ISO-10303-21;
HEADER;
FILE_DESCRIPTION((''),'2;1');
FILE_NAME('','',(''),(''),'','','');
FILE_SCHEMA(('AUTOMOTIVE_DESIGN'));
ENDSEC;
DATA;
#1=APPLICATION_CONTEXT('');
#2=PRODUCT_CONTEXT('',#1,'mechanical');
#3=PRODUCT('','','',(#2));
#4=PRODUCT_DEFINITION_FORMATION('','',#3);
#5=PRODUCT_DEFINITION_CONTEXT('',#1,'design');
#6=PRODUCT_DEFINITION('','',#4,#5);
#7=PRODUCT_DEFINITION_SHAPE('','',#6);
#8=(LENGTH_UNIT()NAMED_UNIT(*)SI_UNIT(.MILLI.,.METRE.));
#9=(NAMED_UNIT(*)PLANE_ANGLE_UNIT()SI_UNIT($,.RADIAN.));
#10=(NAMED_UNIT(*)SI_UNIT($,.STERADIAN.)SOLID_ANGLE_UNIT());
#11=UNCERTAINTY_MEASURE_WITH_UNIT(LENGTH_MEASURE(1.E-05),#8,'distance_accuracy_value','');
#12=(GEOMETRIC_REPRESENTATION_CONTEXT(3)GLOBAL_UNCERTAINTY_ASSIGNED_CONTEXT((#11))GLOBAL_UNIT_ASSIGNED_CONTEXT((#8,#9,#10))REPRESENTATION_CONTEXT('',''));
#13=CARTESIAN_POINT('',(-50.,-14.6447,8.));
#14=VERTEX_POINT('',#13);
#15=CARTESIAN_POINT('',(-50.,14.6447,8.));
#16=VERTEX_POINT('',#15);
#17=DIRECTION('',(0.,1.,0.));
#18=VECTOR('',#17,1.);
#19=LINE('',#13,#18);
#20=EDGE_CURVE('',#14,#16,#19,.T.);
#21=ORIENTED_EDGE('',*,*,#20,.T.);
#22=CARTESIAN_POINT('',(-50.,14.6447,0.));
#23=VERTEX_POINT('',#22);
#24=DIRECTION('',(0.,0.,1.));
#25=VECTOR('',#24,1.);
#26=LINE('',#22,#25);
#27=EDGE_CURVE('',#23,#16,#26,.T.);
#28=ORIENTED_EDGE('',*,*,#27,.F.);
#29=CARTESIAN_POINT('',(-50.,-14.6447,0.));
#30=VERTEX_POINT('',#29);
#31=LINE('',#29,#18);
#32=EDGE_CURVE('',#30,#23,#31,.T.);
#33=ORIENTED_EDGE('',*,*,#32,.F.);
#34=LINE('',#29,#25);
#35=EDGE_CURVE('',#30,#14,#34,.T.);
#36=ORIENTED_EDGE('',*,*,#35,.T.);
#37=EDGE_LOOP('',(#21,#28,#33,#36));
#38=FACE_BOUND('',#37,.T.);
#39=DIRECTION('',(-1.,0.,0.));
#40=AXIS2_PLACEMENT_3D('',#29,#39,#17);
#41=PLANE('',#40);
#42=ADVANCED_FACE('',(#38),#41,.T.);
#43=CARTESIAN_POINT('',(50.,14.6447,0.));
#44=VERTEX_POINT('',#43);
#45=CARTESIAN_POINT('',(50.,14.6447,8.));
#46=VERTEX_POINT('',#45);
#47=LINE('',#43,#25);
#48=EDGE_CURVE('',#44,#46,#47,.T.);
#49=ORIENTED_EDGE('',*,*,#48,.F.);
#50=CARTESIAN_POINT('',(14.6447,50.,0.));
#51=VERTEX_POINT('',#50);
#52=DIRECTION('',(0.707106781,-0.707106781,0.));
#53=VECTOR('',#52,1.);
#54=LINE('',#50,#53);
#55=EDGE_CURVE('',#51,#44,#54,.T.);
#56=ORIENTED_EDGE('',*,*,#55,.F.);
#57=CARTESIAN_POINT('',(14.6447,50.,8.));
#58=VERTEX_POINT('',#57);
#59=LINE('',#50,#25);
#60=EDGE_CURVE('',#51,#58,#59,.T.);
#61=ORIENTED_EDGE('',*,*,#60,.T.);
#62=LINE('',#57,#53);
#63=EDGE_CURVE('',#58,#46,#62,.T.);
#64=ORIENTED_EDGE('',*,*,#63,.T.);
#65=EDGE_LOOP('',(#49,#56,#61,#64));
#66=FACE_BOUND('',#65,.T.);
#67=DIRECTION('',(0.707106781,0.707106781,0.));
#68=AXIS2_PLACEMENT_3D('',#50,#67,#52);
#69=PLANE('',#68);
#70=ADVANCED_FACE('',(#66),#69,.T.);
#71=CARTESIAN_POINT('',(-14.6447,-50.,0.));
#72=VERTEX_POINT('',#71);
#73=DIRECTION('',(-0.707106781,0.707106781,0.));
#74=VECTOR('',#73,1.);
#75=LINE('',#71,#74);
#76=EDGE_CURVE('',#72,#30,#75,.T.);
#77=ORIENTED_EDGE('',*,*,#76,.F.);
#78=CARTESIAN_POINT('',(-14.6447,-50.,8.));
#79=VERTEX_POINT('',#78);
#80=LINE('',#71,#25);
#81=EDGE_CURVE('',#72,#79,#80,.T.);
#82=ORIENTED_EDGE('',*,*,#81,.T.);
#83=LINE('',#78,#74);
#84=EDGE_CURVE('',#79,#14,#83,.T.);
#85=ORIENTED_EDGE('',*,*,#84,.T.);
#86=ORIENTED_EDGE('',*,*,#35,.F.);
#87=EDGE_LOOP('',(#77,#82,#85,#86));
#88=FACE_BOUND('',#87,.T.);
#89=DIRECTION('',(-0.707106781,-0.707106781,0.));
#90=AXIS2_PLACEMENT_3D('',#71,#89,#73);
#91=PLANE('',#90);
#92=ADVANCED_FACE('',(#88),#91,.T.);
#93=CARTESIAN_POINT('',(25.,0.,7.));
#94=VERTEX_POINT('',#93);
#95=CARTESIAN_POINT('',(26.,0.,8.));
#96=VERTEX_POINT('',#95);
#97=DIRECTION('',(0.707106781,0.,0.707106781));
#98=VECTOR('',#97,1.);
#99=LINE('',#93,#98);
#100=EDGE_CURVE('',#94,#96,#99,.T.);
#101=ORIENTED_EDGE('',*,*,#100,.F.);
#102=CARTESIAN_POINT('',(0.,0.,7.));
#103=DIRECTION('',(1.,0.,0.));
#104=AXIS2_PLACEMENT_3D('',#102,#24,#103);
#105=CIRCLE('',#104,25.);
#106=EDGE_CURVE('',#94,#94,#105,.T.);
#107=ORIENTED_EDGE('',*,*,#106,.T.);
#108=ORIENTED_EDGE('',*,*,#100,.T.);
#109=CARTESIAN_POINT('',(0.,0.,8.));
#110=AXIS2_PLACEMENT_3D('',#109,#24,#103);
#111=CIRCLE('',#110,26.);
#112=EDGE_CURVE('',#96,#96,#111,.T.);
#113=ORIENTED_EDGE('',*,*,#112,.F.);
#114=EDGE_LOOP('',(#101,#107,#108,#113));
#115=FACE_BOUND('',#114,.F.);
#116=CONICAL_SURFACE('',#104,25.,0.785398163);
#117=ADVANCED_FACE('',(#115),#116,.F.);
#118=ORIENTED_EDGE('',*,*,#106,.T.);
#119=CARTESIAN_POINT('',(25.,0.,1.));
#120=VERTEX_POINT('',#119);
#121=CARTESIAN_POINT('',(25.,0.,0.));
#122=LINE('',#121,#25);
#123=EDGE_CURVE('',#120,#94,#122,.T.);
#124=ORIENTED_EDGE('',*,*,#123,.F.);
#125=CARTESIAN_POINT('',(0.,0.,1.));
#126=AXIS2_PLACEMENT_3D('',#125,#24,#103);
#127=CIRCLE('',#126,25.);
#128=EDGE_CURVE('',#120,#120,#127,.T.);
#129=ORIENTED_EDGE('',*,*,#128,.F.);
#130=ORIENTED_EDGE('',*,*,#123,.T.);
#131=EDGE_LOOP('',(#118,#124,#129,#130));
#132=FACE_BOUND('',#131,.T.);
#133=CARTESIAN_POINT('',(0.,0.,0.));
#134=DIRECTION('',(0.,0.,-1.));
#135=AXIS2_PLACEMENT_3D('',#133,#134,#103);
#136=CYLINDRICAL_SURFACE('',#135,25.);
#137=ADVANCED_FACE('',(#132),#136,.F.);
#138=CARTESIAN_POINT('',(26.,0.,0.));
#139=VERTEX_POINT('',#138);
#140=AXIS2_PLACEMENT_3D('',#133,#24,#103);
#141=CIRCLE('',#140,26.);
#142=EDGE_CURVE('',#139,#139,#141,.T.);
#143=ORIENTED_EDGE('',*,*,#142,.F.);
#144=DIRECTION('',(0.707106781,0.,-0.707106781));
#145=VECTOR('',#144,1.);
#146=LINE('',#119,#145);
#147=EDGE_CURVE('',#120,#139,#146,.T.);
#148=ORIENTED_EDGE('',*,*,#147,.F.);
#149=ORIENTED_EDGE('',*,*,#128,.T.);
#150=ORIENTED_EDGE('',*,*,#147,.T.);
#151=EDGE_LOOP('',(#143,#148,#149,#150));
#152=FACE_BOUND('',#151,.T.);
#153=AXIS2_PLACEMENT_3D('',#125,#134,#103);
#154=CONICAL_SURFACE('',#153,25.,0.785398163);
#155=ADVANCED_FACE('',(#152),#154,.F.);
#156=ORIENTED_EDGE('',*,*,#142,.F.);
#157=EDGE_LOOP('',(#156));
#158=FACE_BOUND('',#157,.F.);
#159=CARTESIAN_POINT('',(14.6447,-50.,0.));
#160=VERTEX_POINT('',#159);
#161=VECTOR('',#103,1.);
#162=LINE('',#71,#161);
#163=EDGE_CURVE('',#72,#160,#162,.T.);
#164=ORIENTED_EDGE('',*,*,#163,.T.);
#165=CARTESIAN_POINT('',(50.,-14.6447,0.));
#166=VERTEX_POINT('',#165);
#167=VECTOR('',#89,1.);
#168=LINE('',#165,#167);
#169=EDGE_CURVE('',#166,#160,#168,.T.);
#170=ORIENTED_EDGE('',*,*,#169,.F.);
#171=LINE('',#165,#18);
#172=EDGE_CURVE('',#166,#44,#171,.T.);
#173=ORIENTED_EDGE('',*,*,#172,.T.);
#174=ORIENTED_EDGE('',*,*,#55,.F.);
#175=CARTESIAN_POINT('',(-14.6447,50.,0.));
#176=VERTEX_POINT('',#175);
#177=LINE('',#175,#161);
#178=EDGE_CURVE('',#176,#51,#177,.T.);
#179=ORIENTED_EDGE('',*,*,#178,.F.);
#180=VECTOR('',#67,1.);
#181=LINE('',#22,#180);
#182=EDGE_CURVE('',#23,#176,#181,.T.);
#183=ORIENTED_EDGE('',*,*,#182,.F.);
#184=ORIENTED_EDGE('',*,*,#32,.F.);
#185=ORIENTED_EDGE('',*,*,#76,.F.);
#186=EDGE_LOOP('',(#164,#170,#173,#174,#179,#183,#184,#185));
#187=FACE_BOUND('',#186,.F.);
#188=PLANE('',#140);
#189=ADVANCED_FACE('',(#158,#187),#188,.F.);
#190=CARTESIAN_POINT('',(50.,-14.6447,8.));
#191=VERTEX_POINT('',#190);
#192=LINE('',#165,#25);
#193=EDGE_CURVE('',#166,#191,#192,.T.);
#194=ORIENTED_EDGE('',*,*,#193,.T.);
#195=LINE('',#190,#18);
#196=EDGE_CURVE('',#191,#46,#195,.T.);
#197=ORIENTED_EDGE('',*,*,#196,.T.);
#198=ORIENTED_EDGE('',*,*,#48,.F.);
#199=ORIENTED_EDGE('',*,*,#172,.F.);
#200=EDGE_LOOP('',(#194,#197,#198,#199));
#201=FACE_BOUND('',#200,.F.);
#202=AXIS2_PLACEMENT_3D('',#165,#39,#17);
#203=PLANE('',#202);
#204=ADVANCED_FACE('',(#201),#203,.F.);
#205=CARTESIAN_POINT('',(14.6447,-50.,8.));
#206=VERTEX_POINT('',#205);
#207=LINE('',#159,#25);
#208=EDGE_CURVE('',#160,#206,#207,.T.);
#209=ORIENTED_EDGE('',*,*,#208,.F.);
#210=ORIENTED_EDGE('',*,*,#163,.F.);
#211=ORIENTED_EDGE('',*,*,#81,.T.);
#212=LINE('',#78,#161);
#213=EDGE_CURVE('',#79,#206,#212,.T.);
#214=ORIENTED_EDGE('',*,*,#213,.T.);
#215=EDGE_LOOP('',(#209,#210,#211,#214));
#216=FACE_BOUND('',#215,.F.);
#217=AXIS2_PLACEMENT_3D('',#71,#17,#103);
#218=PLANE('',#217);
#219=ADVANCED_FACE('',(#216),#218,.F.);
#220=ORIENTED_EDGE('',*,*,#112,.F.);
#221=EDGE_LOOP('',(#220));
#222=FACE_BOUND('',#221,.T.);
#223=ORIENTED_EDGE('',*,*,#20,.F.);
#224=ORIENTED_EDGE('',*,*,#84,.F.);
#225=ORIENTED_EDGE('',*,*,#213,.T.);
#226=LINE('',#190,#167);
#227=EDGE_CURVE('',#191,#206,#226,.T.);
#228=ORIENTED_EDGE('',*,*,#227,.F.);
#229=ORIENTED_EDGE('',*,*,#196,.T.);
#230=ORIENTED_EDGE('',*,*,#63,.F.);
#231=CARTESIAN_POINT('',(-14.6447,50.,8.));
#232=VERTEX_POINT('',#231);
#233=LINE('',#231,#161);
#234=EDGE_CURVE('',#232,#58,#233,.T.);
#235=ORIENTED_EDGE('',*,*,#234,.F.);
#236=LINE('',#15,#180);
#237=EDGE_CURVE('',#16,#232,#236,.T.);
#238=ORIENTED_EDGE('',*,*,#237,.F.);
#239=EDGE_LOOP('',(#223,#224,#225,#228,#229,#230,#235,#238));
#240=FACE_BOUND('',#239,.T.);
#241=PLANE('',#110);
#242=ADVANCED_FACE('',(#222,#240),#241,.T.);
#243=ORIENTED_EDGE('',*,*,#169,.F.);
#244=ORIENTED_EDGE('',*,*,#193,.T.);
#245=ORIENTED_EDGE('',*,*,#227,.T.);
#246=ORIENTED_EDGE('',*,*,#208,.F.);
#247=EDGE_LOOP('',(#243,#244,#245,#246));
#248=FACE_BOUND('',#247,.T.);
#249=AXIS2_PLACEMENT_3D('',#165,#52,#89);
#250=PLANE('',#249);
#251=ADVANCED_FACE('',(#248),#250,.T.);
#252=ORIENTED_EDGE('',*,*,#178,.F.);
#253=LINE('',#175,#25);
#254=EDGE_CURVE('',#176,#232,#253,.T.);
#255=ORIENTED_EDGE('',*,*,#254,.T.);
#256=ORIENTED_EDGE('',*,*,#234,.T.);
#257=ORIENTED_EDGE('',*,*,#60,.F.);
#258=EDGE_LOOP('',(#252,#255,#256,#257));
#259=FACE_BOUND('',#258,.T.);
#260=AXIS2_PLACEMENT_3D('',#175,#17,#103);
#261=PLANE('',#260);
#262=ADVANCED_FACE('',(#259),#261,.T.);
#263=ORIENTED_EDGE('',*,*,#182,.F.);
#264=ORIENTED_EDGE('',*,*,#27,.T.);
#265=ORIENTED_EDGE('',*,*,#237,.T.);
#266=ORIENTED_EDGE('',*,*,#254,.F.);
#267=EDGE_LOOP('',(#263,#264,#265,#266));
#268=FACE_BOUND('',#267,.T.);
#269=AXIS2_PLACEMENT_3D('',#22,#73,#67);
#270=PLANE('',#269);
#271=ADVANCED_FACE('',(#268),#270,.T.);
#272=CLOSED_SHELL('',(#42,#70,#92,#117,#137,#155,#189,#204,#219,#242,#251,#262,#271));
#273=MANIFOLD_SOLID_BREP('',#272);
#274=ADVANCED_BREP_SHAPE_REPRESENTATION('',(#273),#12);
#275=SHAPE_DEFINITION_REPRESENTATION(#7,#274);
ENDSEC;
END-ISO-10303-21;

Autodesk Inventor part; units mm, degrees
ref_plane "YZ Plane" through (0, 0, 0) normal (1, 0, 0) x (0, 1, 0)
ref_plane "XZ Plane" through (0, 0, 0) normal (0, 1, 0) x (-1, 0, 0)
ref_plane "XY Plane" through (0, 0, 0) normal (0, 0, 1) x (1, 0, 0)
sketch "Esquisse1" plane through (0, 0, 0) normal (0, 0, 1) x (1, 0, 0)
  circle A0 centre (0, 0) radius 25
  line L0 (-50, 14.6447) -> (-14.6447, 50)
  line L1 (14.6447, 50) -> (50, 14.6447)
  line L2 (50, -14.6447) -> (14.6447, -50)
  line L3 (-14.6447, -50) -> (-50, -14.6447)
  line L4 (-70, 0) -> (70, 0) construction
  line L5 (0, -70) -> (0, 70) construction
  line L6 (50, -14.6447) -> (50, 14.6447)
  line L7 (-50, -14.6447) -> (-50, 14.6447)
  line L8 (-14.6447, 50) -> (14.6447, 50)
  line L9 (-14.6447, -50) -> (14.6447, -50)
  dimension "d0" = 50
  dimension "d9" = 100
  dimension "d11" = 45
  dimension "d12" = 50
  dimension "d13" = 100
  dimension "d14" = 50
  dimension "d15" = 50
extrude "Extrusion1" add sketch "Esquisse1" along normal blind 8
chamfer "Chanfrein1" distance 1 angle 45 2 edges at (-25, 0, 8) (-25, 0, 0)
equation "\"d12\" = 0.5 * d9"
equation "\"d13\" = d9"
equation "\"d14\" = 0.5 * d13"
properties part number "support_bois_reservoir"
